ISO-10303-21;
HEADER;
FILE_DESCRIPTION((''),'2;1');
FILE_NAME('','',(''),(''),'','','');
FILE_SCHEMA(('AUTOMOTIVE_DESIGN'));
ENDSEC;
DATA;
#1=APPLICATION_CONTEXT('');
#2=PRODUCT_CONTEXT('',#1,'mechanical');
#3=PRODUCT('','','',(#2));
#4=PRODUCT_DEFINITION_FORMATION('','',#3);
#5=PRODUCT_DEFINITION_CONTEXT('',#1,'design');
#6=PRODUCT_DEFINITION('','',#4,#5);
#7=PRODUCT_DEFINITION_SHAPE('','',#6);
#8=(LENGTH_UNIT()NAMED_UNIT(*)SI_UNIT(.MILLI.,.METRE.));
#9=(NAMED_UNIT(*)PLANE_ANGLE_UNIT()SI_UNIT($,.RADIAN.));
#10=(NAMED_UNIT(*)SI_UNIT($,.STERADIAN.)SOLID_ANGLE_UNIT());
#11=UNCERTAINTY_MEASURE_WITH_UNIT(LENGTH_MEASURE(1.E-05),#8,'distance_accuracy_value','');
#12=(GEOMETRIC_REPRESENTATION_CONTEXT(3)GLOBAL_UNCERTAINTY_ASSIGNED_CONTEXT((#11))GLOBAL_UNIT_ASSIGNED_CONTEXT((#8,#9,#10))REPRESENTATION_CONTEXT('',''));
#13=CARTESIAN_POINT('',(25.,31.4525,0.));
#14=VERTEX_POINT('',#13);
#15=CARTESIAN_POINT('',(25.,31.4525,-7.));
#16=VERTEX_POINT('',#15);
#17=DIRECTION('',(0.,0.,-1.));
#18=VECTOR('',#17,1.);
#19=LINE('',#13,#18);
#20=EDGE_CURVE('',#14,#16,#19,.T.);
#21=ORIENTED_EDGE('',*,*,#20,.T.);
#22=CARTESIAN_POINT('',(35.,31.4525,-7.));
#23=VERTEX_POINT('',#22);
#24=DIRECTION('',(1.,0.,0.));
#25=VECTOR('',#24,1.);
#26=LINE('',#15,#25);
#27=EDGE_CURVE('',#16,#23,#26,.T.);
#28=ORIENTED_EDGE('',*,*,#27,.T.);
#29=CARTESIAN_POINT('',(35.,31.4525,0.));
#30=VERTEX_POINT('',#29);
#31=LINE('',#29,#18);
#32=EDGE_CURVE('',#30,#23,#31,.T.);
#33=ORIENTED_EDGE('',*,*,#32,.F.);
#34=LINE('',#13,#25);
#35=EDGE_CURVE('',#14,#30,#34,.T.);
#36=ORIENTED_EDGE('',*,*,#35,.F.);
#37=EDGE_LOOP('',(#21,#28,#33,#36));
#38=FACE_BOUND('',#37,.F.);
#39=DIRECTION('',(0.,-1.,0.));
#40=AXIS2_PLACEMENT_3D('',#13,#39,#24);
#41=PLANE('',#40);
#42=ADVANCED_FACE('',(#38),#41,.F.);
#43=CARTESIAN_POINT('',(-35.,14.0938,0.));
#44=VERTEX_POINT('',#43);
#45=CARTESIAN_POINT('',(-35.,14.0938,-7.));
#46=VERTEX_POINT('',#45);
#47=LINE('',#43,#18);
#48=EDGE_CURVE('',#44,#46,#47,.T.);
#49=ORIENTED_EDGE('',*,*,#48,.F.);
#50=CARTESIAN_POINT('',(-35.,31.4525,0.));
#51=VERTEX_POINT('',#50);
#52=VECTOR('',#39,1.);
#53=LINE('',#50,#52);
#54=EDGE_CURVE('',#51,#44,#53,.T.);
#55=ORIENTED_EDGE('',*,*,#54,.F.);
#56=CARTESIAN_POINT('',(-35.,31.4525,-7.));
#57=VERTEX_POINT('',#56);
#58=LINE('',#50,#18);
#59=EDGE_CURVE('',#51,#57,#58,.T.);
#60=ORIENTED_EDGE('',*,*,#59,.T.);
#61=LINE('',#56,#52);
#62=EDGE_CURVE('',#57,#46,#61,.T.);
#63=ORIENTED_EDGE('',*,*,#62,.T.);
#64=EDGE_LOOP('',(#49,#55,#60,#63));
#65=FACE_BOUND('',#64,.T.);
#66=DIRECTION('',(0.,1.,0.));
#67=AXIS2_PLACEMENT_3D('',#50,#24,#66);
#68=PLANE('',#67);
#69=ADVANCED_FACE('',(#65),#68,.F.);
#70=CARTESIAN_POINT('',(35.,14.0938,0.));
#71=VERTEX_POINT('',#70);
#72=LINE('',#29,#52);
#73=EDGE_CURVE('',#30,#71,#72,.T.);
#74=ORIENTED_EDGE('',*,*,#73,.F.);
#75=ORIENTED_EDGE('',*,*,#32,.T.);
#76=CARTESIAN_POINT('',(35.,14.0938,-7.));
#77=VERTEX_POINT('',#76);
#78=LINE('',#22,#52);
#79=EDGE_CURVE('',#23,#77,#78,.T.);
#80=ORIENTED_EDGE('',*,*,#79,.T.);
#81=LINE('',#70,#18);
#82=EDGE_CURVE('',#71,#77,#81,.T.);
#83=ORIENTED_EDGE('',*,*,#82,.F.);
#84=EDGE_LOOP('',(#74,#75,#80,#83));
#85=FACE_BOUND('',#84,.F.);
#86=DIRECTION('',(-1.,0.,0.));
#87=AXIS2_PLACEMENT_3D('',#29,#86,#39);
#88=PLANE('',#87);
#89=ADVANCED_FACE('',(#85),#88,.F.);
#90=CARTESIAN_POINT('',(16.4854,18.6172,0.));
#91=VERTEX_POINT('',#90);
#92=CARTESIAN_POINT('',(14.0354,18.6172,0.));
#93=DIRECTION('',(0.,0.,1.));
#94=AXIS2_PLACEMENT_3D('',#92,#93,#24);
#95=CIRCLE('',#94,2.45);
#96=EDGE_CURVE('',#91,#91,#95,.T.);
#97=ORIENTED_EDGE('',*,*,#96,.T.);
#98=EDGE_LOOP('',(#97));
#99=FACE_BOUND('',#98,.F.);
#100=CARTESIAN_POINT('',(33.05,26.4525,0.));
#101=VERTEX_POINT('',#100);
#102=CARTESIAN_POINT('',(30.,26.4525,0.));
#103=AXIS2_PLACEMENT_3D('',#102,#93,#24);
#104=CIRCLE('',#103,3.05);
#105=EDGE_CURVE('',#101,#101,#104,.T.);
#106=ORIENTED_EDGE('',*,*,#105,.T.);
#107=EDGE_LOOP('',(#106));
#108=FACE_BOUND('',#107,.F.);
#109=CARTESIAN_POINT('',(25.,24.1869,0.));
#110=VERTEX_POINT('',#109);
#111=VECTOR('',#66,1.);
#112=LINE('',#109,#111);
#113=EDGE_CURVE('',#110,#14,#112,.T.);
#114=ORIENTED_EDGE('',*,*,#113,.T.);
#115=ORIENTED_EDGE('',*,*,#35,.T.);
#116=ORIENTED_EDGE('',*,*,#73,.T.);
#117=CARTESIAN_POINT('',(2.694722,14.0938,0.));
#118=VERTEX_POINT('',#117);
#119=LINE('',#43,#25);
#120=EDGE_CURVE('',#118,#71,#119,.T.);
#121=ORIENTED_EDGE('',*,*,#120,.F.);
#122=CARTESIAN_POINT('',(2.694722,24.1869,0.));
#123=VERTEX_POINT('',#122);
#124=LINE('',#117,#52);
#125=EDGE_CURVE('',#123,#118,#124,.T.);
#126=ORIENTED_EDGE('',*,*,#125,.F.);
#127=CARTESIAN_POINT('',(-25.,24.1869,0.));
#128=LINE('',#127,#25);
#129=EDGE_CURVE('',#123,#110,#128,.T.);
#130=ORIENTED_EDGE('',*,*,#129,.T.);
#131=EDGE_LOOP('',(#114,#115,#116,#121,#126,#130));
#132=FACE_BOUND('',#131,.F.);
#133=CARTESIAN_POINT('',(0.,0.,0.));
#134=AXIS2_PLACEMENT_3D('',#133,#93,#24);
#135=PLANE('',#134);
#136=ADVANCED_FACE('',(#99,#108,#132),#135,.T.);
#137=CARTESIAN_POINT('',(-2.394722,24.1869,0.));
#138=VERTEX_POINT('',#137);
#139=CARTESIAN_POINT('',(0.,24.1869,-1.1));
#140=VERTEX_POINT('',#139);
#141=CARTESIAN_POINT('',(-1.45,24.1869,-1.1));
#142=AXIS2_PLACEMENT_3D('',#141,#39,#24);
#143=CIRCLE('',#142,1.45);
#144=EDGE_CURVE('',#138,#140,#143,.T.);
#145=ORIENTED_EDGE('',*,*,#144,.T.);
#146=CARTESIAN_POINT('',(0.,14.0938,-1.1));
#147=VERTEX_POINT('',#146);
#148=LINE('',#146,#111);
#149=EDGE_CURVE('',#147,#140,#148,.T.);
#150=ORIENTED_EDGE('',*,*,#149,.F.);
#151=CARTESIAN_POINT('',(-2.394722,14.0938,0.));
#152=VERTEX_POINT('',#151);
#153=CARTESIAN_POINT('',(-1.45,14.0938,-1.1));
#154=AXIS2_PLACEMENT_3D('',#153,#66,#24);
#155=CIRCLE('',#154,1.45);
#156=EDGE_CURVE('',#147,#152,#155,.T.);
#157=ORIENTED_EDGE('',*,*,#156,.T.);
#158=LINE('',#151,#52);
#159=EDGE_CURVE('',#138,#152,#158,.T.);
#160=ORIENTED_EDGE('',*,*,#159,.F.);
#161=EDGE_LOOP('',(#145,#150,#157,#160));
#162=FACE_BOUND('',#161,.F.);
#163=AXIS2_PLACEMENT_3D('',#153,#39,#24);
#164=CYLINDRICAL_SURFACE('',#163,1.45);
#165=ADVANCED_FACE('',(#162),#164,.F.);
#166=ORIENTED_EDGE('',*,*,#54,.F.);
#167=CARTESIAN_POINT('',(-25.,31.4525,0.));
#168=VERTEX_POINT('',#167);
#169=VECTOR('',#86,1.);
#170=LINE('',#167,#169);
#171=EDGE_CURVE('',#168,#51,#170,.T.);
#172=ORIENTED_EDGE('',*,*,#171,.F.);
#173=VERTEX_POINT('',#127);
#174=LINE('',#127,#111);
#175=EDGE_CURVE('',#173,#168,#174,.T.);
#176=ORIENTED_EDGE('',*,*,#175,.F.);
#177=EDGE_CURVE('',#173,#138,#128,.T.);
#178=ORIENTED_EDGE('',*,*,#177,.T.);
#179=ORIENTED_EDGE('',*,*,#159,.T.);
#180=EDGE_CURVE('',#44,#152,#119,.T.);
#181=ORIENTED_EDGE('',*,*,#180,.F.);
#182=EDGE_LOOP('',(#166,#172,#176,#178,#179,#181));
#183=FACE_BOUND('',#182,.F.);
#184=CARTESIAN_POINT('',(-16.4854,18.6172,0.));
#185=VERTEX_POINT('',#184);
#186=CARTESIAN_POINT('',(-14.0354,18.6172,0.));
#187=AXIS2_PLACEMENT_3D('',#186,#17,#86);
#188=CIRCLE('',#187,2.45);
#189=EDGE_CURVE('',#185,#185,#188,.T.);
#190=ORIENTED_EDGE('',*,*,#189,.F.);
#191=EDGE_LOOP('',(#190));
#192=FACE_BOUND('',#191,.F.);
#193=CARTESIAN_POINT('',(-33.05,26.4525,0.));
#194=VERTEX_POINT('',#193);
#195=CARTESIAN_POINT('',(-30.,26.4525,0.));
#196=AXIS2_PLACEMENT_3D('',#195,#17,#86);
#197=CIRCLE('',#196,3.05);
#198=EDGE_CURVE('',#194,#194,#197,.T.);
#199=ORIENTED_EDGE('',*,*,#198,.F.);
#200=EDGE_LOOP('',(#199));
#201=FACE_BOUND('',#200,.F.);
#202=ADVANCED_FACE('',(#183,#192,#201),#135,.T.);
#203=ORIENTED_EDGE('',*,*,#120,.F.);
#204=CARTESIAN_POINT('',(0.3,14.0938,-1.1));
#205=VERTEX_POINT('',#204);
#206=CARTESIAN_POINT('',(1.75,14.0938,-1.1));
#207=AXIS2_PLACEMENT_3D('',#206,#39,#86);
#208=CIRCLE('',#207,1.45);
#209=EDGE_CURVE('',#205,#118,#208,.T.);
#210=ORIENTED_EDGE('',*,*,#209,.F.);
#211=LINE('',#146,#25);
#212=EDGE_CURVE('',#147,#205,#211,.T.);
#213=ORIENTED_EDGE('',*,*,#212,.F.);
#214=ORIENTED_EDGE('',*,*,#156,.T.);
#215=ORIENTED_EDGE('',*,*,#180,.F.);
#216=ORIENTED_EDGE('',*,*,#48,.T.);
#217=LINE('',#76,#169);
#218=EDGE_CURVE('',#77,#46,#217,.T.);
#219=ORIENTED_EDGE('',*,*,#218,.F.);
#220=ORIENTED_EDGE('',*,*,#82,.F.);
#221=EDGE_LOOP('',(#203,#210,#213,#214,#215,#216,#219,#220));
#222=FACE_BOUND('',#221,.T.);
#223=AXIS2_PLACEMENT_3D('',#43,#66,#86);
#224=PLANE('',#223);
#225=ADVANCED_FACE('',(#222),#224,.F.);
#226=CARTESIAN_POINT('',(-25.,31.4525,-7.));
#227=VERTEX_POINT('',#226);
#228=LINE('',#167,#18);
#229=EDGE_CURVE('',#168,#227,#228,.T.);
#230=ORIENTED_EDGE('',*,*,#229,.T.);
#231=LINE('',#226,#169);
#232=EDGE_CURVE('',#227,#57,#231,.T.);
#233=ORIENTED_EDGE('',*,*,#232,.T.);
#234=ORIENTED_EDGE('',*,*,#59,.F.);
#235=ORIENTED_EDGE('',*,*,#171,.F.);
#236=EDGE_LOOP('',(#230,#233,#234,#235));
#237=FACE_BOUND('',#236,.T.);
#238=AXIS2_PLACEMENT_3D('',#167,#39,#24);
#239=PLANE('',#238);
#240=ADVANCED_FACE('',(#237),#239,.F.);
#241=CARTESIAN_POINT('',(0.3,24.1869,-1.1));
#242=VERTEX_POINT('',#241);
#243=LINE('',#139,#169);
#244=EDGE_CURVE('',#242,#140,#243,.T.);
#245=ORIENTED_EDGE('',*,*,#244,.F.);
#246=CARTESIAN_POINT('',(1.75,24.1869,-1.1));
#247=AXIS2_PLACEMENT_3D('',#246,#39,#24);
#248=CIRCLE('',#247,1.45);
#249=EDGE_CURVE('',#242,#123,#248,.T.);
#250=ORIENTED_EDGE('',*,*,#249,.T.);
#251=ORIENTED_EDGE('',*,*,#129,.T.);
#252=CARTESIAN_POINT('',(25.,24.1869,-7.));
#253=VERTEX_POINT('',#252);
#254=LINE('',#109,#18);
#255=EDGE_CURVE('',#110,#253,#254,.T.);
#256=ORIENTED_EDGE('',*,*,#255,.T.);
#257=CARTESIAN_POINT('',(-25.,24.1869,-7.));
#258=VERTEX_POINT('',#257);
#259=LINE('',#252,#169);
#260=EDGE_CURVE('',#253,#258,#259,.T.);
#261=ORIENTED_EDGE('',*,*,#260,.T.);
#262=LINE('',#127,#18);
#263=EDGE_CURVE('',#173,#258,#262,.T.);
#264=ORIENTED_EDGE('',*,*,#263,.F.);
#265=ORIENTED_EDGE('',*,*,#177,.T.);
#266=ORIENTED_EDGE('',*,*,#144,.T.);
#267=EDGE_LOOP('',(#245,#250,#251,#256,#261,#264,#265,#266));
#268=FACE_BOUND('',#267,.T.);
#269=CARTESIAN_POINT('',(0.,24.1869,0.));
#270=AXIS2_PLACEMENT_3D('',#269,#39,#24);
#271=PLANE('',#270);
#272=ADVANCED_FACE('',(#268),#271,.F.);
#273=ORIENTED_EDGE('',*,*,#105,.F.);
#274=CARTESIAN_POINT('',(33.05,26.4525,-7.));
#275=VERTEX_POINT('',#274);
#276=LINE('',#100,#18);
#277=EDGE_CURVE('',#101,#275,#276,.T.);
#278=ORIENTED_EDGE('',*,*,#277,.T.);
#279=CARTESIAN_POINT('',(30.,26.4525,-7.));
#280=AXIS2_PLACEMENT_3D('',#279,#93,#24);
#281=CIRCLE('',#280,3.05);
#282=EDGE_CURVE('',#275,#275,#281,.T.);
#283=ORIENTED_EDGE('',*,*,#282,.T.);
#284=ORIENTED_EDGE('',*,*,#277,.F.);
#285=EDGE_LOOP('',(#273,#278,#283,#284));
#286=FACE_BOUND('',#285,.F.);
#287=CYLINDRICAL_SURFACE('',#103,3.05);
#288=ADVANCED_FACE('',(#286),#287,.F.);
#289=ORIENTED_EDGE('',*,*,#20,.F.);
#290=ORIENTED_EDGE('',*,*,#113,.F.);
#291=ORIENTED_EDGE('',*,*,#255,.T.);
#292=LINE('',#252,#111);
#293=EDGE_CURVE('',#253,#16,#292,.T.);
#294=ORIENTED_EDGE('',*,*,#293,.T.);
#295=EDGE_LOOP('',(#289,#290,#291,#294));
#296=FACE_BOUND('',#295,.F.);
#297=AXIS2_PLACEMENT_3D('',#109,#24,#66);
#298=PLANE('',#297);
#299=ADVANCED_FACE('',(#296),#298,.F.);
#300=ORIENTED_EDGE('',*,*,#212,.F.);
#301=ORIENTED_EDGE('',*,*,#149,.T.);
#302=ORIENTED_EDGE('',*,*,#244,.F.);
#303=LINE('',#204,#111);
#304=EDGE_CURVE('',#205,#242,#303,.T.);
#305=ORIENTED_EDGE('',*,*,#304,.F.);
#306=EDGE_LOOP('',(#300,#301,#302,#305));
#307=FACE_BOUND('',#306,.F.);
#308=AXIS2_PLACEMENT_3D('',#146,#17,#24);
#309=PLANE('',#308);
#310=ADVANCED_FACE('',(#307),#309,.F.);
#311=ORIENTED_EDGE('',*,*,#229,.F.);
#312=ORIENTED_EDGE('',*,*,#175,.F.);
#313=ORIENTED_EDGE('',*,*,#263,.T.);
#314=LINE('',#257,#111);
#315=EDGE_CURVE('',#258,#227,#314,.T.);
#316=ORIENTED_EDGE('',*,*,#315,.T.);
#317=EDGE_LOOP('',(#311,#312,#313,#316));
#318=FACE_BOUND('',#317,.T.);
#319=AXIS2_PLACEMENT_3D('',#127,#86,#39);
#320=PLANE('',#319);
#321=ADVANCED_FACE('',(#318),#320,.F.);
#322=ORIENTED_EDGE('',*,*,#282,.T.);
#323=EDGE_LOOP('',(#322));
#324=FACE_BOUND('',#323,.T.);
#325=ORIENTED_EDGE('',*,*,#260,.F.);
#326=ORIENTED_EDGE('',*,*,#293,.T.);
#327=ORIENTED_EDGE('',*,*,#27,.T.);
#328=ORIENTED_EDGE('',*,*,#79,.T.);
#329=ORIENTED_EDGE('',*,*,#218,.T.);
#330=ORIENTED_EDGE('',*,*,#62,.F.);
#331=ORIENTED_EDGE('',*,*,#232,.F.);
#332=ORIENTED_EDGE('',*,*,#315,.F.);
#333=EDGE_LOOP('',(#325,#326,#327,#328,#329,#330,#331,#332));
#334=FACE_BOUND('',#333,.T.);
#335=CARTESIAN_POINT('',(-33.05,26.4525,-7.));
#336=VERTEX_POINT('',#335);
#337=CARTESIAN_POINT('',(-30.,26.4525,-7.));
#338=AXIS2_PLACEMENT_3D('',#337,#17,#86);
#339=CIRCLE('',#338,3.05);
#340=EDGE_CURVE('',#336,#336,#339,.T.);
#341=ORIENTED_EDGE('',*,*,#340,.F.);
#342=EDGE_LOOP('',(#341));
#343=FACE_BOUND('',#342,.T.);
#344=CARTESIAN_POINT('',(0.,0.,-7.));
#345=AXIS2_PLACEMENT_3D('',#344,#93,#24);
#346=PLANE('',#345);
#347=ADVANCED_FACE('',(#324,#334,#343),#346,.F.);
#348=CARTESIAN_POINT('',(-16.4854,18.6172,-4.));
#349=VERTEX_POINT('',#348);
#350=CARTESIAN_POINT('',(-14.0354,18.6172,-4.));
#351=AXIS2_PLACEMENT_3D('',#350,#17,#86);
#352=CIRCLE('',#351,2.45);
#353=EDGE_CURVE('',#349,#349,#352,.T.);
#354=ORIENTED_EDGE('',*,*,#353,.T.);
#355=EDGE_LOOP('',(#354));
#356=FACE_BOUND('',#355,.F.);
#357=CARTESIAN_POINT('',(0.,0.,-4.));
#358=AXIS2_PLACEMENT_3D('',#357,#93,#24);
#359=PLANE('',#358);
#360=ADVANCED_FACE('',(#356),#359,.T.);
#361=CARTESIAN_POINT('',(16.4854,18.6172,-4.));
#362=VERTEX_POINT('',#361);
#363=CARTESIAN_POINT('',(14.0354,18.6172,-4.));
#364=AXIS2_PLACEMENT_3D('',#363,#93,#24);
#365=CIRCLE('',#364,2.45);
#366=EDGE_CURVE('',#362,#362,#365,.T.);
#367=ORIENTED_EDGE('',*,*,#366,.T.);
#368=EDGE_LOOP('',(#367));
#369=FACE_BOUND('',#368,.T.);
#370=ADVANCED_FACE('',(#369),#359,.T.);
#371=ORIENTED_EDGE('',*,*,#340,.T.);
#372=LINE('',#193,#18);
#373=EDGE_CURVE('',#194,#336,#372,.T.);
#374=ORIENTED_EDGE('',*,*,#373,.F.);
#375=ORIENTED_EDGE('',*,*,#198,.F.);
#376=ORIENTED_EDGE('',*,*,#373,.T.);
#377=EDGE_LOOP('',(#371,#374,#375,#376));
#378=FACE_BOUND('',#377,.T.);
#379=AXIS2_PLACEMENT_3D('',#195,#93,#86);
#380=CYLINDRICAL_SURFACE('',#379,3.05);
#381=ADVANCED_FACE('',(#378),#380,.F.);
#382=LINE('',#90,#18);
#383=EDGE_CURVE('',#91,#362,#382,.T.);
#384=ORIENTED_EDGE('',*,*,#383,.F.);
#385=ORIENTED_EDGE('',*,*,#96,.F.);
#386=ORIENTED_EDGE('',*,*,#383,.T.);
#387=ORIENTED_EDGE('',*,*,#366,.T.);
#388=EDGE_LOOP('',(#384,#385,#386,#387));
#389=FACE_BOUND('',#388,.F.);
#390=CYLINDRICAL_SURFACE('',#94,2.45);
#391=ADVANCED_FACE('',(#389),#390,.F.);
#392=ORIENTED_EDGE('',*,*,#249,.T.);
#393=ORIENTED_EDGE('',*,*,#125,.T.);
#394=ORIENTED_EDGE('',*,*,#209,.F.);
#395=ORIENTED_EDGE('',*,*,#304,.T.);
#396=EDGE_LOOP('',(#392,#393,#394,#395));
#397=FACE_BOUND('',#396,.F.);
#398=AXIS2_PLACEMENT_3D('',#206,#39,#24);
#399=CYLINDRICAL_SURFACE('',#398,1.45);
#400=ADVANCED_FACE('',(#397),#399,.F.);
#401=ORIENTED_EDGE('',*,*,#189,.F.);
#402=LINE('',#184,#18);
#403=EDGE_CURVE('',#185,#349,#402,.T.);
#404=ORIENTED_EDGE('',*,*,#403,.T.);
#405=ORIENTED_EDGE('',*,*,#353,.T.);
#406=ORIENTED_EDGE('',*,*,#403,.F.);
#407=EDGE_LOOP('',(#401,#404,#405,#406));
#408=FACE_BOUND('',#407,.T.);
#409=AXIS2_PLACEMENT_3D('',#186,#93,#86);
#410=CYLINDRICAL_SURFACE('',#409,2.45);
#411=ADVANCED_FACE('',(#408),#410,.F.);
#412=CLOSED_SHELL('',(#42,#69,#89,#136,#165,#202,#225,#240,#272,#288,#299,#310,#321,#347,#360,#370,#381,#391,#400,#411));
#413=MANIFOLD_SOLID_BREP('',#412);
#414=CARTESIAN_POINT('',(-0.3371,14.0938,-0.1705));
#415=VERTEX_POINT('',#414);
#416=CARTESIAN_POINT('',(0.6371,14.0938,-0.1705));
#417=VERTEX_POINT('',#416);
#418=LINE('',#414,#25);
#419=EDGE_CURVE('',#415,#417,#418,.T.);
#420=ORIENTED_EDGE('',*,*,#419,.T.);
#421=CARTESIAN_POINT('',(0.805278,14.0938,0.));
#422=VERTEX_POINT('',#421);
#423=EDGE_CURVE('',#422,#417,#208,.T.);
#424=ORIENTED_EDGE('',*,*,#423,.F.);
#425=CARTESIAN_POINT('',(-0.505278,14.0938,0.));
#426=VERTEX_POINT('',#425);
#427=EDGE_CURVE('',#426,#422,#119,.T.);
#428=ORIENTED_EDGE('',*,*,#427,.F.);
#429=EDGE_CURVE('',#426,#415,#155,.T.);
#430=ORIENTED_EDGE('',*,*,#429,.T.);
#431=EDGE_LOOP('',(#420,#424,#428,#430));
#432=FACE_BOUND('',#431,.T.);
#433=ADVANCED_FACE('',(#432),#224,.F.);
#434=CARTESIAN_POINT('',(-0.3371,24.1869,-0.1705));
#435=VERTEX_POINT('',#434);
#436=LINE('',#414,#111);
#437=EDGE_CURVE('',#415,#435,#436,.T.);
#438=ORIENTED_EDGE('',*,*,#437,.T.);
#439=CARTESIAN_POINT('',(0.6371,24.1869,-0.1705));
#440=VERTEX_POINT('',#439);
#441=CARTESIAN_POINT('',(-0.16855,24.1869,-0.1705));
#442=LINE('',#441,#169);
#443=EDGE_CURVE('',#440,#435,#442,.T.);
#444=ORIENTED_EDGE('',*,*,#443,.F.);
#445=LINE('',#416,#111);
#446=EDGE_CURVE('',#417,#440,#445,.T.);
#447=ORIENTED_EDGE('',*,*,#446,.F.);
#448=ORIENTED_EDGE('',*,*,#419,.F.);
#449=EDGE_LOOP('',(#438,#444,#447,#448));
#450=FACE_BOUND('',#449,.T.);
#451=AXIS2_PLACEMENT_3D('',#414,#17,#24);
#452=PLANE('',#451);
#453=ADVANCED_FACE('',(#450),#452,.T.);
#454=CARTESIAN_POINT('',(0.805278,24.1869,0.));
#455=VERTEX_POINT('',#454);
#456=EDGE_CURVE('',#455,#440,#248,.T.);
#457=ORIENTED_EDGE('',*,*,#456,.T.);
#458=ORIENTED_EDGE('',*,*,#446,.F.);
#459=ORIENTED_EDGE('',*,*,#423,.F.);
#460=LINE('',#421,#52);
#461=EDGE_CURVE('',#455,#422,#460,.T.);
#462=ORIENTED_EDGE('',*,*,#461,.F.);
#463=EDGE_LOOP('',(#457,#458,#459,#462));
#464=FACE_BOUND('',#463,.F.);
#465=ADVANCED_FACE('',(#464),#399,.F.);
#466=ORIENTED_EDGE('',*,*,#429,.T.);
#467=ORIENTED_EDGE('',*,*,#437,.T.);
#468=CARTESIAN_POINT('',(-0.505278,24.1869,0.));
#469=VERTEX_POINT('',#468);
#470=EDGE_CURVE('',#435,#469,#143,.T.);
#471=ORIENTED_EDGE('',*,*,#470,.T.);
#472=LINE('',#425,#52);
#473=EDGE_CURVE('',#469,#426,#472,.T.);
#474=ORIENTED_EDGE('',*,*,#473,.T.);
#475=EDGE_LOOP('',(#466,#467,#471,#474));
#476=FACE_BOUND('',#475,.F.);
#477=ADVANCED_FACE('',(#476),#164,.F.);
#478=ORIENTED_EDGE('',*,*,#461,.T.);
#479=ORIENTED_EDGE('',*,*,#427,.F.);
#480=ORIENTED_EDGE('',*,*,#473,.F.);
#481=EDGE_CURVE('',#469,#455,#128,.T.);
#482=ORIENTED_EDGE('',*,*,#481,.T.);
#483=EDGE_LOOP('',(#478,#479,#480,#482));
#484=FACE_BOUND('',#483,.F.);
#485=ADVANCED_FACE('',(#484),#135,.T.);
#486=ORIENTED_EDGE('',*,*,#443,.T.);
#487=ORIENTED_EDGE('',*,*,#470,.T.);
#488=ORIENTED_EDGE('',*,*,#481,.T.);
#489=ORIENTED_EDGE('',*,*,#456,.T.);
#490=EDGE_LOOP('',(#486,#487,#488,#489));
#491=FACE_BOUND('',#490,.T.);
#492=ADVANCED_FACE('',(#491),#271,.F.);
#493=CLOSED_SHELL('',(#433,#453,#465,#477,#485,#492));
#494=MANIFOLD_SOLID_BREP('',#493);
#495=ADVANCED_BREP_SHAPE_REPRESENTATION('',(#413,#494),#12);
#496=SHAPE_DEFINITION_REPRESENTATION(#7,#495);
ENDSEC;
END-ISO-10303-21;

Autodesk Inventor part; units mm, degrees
ref_plane "YZ Plane" through (0, 0, 0) normal (1, 0, 0) x (0, 1, 0)
ref_plane "XZ Plane" through (0, 0, 0) normal (0, 1, 0) x (-1, 0, 0)
ref_plane "XY Plane" through (0, 0, 0) normal (0, 0, 1) x (1, 0, 0)
sketch "Sketch1" plane through (0, 0, 0) normal (0, 0, 1) x (1, 0, 0)
  circle A0 centre (30, 26.4525) radius 3 projected
  circle A1 centre (-30, 26.4525) radius 3 projected
  line L0 (-12, 6.73) -> (12, 6.73) projected
  line L1 (12, 6.73) -> (12, 13) projected
  line L2 (12, 13) -> (-12, 13) projected
  line L3 (-12, 13) -> (-12, 6.73) projected
  line L4 (0, 33.0213) -> (0, 0)
  circle A2 centre (30, 26.4525) radius 3.05
  circle A3 centre (-30, 26.4525) radius 3.05
  line L5 (35, 31.4525) -> (35, 14.0938)
  line L6 (35, 14.0938) -> (0, 14.0938)
  line L7 (0, 24.1869) -> (25, 24.1869)
  line L8 (25, 24.1869) -> (25, 31.4525)
  line L9 (25, 31.4525) -> (35, 31.4525)
  dimension "d0" = 6.1
  dimension "d1" = 6.1
  dimension "d2" = 5
  dimension "d3" = 5
  dimension "d4" = 5
  dimension "d11" = 90
extrude "Extrusion1" add sketch "Sketch1" against normal blind 7 contours L4 L7 L8 L9 L5 L6
sketch "Sketch2" plane through (0, 0, 0) normal (0, 0, 1) x (1, 0, 0)
  circle A0 centre (30, 26.4525) radius 3.05 projected
  line L0 (35, 31.4525) -> (35, 14.0938) projected
  line L1 (25, 31.4525) -> (35, 31.4525) projected
  line L2 (25, 24.1869) -> (25, 31.4525) projected
  line L3 (0, 24.1869) -> (25, 24.1869) projected
  line L4 (0, 14.0938) -> (0, 24.1869) projected
  line L5 (35, 14.0938) -> (0, 14.0938) projected
  line L6 (0, 14.0938) -> (0, 24.1869) projected
  circle A1 centre (0, 19.1403) radius 2.45
  circle A2 centre (14.0354, 18.6172) radius 2.45
  point P0 (0, 0)
  dimension "d7" = 4.9
  dimension "d8" = 4.9
extrude "Extrusion2" cut sketch "Sketch2" against normal blind 4 contours A2
mirror "Mirror1" about plane through (0, 14.0938, 0) normal (-1, 0, 0) of "Extrusion1", "Extrusion2"
sketch "Sketch3" plane through (35, 14.0938, -7) normal (0, -1, 0) x (1, 0, 0)
  line L0 (-37.45, 7) -> (-37.45, 3)
  line L1 (-40.0482, 3) -> (-44.9482, 3) projected
  line L2 (-32.55, 7) -> (-32.55, 3)
  circle A0 centre (-36.45, 5.9) radius 1.45
  circle A1 centre (-33.25, 5.9) radius 1.45
  line L3 (-35.3371, 6.8295) -> (-34.3629, 6.8295)
  line L4 (-35, 5.9) -> (-34.7, 5.9)
  point P0 (-35, 7)
  dimension "d12" = 2.9
  dimension "d13" = 2.9
  dimension "d14" = 1.1
  dimension "d15" = 0
  dimension "d16" = 3.2
  dimension "d17" = 1
extrude "Extrusion3" cut sketch "Sketch3" against normal through all
properties part number "cellSTORM_inverted_sampleholder_bar"
